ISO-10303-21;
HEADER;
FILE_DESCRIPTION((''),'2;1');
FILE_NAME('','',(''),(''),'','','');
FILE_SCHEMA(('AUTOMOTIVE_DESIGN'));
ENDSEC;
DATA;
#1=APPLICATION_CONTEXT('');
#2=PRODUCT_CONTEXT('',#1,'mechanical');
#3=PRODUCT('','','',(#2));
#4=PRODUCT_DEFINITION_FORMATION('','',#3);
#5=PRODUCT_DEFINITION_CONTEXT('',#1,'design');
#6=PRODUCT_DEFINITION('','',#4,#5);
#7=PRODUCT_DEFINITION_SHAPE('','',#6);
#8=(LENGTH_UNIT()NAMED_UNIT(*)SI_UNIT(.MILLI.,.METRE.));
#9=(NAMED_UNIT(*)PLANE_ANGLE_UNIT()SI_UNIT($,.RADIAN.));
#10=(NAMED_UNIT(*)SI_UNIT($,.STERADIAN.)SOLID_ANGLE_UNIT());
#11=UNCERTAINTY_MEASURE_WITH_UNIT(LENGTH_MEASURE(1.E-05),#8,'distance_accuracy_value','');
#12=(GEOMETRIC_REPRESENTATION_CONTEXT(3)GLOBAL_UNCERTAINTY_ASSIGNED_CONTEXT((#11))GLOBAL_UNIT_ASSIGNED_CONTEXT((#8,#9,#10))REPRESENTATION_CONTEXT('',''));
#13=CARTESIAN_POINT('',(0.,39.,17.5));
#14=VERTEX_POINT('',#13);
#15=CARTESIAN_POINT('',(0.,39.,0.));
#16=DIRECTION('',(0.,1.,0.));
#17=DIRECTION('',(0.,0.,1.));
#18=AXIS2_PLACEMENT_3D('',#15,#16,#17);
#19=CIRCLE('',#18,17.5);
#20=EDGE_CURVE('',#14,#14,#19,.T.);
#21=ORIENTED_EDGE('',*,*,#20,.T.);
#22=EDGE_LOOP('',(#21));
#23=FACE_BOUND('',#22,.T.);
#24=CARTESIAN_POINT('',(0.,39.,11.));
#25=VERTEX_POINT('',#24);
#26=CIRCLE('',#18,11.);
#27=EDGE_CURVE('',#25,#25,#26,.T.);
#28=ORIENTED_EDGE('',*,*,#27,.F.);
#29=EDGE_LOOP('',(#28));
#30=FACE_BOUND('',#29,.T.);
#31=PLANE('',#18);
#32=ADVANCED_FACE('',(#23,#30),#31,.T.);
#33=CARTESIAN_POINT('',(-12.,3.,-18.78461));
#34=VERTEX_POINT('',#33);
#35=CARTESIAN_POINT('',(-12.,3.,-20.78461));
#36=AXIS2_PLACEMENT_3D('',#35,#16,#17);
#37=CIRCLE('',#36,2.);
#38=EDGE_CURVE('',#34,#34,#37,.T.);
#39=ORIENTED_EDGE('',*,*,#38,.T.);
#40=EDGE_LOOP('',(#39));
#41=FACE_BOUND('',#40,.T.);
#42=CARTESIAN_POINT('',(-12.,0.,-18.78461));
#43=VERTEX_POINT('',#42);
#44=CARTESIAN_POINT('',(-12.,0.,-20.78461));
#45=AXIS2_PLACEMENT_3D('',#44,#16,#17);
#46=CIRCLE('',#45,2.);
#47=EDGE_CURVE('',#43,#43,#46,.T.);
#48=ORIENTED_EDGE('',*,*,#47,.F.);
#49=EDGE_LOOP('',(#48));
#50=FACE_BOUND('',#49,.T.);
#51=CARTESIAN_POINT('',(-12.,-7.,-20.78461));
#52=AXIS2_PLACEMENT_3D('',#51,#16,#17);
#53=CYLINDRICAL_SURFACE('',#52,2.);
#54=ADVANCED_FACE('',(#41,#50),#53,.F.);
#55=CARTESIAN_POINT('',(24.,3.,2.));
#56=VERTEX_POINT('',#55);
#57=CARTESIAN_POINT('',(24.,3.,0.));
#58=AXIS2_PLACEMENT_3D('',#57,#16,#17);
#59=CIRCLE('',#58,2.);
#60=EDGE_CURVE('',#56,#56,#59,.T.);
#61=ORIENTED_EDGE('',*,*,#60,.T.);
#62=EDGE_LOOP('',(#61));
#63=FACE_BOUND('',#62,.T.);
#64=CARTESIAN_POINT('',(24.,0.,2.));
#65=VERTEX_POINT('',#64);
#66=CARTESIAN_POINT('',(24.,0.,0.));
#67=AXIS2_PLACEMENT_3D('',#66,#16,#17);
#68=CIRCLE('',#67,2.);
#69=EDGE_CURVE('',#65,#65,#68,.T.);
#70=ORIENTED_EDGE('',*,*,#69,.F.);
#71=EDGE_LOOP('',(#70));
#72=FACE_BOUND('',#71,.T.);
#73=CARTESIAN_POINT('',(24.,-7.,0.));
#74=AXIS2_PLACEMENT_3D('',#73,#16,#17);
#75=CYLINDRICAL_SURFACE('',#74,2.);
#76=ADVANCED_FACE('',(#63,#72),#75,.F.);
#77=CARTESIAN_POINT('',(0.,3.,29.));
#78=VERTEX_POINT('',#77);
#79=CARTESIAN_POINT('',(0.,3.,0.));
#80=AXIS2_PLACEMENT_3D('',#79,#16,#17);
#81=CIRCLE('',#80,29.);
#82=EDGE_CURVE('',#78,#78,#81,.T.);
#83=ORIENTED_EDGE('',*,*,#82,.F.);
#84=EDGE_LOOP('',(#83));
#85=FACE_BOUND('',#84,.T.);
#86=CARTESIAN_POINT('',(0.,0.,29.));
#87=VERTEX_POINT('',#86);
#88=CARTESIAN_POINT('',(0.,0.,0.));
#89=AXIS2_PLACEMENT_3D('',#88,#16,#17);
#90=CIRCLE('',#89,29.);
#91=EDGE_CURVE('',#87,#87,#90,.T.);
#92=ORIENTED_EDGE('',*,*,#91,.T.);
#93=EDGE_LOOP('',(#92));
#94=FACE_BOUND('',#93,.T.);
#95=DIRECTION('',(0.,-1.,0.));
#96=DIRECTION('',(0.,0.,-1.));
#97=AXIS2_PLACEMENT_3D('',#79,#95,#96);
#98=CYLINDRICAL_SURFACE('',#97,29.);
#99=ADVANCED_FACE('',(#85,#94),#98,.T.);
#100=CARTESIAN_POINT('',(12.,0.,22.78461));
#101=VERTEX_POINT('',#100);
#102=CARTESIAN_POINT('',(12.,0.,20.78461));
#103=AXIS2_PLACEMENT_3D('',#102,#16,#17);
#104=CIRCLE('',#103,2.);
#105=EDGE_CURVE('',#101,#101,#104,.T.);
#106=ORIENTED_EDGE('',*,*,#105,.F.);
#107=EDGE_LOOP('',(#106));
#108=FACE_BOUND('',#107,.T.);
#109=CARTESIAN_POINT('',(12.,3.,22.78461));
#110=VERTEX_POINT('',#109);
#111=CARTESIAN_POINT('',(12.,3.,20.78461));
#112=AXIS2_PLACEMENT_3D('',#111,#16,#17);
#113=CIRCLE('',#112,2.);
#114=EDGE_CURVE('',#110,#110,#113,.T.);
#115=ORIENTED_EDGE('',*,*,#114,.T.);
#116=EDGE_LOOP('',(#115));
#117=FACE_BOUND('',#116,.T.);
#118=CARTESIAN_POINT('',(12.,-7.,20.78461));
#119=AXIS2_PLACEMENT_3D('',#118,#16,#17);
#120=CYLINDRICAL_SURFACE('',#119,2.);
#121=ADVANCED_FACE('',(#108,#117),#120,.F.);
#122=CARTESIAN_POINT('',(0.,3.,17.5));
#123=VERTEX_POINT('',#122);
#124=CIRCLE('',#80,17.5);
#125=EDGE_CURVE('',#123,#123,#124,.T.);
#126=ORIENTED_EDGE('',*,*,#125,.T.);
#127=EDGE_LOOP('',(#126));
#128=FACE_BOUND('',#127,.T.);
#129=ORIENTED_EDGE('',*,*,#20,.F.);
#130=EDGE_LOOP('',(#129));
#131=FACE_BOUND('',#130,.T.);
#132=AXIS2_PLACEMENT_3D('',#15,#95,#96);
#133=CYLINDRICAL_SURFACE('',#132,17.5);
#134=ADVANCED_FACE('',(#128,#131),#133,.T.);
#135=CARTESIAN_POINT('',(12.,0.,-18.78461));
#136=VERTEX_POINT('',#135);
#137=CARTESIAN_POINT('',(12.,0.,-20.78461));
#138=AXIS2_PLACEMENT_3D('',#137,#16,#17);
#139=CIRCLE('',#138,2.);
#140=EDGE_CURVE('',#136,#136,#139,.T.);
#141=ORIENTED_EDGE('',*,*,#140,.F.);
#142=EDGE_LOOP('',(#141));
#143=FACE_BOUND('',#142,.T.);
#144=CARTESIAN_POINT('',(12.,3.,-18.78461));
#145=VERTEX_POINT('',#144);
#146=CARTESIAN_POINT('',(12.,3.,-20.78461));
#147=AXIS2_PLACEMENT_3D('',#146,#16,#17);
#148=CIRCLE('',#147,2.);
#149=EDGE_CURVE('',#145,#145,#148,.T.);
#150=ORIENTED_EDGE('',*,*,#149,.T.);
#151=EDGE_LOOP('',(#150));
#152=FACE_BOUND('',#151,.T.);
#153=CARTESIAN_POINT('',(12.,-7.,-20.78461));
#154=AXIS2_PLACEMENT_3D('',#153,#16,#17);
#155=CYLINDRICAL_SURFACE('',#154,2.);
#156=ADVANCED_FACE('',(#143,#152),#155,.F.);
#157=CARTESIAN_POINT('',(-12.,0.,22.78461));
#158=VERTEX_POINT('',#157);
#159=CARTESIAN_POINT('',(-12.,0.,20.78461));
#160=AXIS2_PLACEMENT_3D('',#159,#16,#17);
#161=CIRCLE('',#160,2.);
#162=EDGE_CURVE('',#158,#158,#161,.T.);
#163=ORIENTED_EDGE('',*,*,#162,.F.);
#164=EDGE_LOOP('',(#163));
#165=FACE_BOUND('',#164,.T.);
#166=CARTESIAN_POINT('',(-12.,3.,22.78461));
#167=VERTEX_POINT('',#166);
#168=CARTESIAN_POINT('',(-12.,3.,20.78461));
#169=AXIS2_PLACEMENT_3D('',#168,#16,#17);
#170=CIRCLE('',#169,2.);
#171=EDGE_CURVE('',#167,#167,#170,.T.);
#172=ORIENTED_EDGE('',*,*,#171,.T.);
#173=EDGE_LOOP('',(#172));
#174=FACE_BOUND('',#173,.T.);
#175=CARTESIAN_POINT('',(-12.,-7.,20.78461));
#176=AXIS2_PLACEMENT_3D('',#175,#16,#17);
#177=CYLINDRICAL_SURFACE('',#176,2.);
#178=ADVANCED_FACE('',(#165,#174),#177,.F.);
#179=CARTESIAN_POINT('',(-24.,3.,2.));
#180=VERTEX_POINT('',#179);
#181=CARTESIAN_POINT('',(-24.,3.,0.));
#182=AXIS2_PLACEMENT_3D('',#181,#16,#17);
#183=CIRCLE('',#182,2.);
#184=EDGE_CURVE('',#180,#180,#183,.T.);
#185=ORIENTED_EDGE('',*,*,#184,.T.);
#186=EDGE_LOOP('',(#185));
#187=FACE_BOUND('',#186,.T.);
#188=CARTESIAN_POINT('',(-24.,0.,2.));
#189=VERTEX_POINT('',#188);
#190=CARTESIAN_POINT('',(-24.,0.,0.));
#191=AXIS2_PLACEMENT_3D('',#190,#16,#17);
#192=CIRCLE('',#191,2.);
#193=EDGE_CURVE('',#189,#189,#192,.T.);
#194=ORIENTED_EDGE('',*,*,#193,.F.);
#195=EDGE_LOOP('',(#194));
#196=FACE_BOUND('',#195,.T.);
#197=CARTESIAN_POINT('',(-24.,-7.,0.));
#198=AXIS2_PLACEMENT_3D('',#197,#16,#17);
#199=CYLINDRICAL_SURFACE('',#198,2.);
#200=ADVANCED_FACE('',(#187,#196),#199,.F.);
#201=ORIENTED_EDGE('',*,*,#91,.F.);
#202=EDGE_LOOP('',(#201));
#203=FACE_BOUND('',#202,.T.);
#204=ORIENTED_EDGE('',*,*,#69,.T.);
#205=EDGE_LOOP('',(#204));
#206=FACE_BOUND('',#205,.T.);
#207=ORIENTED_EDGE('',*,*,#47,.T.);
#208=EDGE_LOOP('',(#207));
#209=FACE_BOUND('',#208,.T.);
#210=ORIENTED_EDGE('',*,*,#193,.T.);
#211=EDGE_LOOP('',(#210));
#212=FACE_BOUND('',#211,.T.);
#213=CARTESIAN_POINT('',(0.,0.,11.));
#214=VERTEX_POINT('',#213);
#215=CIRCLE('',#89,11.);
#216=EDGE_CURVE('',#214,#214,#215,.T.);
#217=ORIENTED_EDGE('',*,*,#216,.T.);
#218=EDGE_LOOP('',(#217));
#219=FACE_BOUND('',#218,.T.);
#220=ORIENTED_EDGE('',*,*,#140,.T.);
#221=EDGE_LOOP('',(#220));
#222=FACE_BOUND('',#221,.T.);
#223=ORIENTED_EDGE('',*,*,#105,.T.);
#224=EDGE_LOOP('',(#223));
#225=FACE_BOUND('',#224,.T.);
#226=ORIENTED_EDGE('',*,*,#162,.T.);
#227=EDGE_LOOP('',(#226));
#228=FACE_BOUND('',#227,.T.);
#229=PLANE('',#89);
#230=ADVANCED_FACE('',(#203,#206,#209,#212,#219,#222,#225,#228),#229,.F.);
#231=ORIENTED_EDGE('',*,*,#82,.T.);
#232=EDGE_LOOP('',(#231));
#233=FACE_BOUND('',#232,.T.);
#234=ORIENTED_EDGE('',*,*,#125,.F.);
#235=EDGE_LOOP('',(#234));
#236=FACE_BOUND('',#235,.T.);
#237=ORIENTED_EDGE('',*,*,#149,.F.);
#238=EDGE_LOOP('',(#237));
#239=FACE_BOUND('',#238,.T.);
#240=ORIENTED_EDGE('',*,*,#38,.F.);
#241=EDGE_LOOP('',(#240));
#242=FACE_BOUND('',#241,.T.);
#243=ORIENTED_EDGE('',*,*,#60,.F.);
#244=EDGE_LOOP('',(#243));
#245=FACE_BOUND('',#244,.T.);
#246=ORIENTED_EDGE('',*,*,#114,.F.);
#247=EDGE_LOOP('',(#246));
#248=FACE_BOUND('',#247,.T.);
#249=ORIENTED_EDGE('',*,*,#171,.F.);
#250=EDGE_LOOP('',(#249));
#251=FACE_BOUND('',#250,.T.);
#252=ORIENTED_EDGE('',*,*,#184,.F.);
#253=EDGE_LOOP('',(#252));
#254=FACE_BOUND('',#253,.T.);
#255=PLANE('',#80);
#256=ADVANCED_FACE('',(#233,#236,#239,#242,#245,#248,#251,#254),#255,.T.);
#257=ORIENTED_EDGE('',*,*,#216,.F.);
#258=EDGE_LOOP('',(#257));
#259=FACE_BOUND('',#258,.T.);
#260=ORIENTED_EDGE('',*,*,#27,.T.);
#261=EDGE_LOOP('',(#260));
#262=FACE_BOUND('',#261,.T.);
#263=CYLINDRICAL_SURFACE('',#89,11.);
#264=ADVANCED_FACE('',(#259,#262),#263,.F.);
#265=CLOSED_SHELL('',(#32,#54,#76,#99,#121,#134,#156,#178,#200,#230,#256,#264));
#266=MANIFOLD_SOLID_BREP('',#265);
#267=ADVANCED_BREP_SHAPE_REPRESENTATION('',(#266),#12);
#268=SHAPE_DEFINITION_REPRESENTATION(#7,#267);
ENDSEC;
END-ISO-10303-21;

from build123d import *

# Parameters (mm, degrees)
SKETCH_1_R          = 29
EXTRUDE_1_DEPTH     = 3
SKETCH_3_R          = 17.5
EXTRUDE_2_DEPTH     = 36
SKETCH_4_R          = 11
CUT_EXTRUDE_2_DEPTH = 57.595052787
SKETCH_5_R          = 2
CUT_EXTRUDE_3_DEPTH = 10


with BuildPart() as part:
    # 草图1 → 凸台-拉伸1 (new body)
    with BuildSketch(Plane(origin=(0, 0, 0), x_dir=(1, 0, 0), z_dir=(0, 1, 0))):
        with Locations(Location((0, 0, 0), (0, 0, 270))):
            Circle(SKETCH_1_R)
    extrude(amount=EXTRUDE_1_DEPTH)

    # 草图3 → 凸台-拉伸2 (add)
    with BuildSketch(Plane(origin=(0, 3, 0), x_dir=(1, 0, 0), z_dir=(0, 1, 0))):
        with Locations(Location((0, 0, 0), (0, 0, 270))):
            Circle(SKETCH_3_R)
    extrude(amount=EXTRUDE_2_DEPTH)

    # 草图4 → 切除-拉伸2 (cut, through all)
    with BuildSketch(Plane(origin=(0, 39, 0), x_dir=(1, 0, 0), z_dir=(0, 1, 0))):
        with Locations(Location((0, 0, 0), (0, 0, 270))):
            Circle(SKETCH_4_R)
    extrude(amount=-CUT_EXTRUDE_2_DEPTH, mode=Mode.SUBTRACT)

    # 草图5 → 切除-拉伸3 (cut)
    with BuildSketch(Plane(origin=(0, 3, 0), x_dir=(1, 0, 0), z_dir=(0, 1, 0))):
        with Locations(Location((24, 0, 0), (0, 0, 270))):
            Circle(SKETCH_5_R)
        with Locations(Location((12, -20.784609691, 0), (0, 0, 270))):
            Circle(SKETCH_5_R)
        with Locations(Location((-12, -20.784609691, 0), (0, 0, 270))):
            Circle(SKETCH_5_R)
        with Locations(Location((-24, 0, 0), (0, 0, 270))):
            Circle(SKETCH_5_R)
        with Locations(Location((-12, 20.784609691, 0), (0, 0, 270))):
            Circle(SKETCH_5_R)
        with Locations(Location((12, 20.784609691, 0), (0, 0, 270))):
            Circle(SKETCH_5_R)
    extrude(amount=-CUT_EXTRUDE_3_DEPTH, mode=Mode.SUBTRACT)


solid = part.part
